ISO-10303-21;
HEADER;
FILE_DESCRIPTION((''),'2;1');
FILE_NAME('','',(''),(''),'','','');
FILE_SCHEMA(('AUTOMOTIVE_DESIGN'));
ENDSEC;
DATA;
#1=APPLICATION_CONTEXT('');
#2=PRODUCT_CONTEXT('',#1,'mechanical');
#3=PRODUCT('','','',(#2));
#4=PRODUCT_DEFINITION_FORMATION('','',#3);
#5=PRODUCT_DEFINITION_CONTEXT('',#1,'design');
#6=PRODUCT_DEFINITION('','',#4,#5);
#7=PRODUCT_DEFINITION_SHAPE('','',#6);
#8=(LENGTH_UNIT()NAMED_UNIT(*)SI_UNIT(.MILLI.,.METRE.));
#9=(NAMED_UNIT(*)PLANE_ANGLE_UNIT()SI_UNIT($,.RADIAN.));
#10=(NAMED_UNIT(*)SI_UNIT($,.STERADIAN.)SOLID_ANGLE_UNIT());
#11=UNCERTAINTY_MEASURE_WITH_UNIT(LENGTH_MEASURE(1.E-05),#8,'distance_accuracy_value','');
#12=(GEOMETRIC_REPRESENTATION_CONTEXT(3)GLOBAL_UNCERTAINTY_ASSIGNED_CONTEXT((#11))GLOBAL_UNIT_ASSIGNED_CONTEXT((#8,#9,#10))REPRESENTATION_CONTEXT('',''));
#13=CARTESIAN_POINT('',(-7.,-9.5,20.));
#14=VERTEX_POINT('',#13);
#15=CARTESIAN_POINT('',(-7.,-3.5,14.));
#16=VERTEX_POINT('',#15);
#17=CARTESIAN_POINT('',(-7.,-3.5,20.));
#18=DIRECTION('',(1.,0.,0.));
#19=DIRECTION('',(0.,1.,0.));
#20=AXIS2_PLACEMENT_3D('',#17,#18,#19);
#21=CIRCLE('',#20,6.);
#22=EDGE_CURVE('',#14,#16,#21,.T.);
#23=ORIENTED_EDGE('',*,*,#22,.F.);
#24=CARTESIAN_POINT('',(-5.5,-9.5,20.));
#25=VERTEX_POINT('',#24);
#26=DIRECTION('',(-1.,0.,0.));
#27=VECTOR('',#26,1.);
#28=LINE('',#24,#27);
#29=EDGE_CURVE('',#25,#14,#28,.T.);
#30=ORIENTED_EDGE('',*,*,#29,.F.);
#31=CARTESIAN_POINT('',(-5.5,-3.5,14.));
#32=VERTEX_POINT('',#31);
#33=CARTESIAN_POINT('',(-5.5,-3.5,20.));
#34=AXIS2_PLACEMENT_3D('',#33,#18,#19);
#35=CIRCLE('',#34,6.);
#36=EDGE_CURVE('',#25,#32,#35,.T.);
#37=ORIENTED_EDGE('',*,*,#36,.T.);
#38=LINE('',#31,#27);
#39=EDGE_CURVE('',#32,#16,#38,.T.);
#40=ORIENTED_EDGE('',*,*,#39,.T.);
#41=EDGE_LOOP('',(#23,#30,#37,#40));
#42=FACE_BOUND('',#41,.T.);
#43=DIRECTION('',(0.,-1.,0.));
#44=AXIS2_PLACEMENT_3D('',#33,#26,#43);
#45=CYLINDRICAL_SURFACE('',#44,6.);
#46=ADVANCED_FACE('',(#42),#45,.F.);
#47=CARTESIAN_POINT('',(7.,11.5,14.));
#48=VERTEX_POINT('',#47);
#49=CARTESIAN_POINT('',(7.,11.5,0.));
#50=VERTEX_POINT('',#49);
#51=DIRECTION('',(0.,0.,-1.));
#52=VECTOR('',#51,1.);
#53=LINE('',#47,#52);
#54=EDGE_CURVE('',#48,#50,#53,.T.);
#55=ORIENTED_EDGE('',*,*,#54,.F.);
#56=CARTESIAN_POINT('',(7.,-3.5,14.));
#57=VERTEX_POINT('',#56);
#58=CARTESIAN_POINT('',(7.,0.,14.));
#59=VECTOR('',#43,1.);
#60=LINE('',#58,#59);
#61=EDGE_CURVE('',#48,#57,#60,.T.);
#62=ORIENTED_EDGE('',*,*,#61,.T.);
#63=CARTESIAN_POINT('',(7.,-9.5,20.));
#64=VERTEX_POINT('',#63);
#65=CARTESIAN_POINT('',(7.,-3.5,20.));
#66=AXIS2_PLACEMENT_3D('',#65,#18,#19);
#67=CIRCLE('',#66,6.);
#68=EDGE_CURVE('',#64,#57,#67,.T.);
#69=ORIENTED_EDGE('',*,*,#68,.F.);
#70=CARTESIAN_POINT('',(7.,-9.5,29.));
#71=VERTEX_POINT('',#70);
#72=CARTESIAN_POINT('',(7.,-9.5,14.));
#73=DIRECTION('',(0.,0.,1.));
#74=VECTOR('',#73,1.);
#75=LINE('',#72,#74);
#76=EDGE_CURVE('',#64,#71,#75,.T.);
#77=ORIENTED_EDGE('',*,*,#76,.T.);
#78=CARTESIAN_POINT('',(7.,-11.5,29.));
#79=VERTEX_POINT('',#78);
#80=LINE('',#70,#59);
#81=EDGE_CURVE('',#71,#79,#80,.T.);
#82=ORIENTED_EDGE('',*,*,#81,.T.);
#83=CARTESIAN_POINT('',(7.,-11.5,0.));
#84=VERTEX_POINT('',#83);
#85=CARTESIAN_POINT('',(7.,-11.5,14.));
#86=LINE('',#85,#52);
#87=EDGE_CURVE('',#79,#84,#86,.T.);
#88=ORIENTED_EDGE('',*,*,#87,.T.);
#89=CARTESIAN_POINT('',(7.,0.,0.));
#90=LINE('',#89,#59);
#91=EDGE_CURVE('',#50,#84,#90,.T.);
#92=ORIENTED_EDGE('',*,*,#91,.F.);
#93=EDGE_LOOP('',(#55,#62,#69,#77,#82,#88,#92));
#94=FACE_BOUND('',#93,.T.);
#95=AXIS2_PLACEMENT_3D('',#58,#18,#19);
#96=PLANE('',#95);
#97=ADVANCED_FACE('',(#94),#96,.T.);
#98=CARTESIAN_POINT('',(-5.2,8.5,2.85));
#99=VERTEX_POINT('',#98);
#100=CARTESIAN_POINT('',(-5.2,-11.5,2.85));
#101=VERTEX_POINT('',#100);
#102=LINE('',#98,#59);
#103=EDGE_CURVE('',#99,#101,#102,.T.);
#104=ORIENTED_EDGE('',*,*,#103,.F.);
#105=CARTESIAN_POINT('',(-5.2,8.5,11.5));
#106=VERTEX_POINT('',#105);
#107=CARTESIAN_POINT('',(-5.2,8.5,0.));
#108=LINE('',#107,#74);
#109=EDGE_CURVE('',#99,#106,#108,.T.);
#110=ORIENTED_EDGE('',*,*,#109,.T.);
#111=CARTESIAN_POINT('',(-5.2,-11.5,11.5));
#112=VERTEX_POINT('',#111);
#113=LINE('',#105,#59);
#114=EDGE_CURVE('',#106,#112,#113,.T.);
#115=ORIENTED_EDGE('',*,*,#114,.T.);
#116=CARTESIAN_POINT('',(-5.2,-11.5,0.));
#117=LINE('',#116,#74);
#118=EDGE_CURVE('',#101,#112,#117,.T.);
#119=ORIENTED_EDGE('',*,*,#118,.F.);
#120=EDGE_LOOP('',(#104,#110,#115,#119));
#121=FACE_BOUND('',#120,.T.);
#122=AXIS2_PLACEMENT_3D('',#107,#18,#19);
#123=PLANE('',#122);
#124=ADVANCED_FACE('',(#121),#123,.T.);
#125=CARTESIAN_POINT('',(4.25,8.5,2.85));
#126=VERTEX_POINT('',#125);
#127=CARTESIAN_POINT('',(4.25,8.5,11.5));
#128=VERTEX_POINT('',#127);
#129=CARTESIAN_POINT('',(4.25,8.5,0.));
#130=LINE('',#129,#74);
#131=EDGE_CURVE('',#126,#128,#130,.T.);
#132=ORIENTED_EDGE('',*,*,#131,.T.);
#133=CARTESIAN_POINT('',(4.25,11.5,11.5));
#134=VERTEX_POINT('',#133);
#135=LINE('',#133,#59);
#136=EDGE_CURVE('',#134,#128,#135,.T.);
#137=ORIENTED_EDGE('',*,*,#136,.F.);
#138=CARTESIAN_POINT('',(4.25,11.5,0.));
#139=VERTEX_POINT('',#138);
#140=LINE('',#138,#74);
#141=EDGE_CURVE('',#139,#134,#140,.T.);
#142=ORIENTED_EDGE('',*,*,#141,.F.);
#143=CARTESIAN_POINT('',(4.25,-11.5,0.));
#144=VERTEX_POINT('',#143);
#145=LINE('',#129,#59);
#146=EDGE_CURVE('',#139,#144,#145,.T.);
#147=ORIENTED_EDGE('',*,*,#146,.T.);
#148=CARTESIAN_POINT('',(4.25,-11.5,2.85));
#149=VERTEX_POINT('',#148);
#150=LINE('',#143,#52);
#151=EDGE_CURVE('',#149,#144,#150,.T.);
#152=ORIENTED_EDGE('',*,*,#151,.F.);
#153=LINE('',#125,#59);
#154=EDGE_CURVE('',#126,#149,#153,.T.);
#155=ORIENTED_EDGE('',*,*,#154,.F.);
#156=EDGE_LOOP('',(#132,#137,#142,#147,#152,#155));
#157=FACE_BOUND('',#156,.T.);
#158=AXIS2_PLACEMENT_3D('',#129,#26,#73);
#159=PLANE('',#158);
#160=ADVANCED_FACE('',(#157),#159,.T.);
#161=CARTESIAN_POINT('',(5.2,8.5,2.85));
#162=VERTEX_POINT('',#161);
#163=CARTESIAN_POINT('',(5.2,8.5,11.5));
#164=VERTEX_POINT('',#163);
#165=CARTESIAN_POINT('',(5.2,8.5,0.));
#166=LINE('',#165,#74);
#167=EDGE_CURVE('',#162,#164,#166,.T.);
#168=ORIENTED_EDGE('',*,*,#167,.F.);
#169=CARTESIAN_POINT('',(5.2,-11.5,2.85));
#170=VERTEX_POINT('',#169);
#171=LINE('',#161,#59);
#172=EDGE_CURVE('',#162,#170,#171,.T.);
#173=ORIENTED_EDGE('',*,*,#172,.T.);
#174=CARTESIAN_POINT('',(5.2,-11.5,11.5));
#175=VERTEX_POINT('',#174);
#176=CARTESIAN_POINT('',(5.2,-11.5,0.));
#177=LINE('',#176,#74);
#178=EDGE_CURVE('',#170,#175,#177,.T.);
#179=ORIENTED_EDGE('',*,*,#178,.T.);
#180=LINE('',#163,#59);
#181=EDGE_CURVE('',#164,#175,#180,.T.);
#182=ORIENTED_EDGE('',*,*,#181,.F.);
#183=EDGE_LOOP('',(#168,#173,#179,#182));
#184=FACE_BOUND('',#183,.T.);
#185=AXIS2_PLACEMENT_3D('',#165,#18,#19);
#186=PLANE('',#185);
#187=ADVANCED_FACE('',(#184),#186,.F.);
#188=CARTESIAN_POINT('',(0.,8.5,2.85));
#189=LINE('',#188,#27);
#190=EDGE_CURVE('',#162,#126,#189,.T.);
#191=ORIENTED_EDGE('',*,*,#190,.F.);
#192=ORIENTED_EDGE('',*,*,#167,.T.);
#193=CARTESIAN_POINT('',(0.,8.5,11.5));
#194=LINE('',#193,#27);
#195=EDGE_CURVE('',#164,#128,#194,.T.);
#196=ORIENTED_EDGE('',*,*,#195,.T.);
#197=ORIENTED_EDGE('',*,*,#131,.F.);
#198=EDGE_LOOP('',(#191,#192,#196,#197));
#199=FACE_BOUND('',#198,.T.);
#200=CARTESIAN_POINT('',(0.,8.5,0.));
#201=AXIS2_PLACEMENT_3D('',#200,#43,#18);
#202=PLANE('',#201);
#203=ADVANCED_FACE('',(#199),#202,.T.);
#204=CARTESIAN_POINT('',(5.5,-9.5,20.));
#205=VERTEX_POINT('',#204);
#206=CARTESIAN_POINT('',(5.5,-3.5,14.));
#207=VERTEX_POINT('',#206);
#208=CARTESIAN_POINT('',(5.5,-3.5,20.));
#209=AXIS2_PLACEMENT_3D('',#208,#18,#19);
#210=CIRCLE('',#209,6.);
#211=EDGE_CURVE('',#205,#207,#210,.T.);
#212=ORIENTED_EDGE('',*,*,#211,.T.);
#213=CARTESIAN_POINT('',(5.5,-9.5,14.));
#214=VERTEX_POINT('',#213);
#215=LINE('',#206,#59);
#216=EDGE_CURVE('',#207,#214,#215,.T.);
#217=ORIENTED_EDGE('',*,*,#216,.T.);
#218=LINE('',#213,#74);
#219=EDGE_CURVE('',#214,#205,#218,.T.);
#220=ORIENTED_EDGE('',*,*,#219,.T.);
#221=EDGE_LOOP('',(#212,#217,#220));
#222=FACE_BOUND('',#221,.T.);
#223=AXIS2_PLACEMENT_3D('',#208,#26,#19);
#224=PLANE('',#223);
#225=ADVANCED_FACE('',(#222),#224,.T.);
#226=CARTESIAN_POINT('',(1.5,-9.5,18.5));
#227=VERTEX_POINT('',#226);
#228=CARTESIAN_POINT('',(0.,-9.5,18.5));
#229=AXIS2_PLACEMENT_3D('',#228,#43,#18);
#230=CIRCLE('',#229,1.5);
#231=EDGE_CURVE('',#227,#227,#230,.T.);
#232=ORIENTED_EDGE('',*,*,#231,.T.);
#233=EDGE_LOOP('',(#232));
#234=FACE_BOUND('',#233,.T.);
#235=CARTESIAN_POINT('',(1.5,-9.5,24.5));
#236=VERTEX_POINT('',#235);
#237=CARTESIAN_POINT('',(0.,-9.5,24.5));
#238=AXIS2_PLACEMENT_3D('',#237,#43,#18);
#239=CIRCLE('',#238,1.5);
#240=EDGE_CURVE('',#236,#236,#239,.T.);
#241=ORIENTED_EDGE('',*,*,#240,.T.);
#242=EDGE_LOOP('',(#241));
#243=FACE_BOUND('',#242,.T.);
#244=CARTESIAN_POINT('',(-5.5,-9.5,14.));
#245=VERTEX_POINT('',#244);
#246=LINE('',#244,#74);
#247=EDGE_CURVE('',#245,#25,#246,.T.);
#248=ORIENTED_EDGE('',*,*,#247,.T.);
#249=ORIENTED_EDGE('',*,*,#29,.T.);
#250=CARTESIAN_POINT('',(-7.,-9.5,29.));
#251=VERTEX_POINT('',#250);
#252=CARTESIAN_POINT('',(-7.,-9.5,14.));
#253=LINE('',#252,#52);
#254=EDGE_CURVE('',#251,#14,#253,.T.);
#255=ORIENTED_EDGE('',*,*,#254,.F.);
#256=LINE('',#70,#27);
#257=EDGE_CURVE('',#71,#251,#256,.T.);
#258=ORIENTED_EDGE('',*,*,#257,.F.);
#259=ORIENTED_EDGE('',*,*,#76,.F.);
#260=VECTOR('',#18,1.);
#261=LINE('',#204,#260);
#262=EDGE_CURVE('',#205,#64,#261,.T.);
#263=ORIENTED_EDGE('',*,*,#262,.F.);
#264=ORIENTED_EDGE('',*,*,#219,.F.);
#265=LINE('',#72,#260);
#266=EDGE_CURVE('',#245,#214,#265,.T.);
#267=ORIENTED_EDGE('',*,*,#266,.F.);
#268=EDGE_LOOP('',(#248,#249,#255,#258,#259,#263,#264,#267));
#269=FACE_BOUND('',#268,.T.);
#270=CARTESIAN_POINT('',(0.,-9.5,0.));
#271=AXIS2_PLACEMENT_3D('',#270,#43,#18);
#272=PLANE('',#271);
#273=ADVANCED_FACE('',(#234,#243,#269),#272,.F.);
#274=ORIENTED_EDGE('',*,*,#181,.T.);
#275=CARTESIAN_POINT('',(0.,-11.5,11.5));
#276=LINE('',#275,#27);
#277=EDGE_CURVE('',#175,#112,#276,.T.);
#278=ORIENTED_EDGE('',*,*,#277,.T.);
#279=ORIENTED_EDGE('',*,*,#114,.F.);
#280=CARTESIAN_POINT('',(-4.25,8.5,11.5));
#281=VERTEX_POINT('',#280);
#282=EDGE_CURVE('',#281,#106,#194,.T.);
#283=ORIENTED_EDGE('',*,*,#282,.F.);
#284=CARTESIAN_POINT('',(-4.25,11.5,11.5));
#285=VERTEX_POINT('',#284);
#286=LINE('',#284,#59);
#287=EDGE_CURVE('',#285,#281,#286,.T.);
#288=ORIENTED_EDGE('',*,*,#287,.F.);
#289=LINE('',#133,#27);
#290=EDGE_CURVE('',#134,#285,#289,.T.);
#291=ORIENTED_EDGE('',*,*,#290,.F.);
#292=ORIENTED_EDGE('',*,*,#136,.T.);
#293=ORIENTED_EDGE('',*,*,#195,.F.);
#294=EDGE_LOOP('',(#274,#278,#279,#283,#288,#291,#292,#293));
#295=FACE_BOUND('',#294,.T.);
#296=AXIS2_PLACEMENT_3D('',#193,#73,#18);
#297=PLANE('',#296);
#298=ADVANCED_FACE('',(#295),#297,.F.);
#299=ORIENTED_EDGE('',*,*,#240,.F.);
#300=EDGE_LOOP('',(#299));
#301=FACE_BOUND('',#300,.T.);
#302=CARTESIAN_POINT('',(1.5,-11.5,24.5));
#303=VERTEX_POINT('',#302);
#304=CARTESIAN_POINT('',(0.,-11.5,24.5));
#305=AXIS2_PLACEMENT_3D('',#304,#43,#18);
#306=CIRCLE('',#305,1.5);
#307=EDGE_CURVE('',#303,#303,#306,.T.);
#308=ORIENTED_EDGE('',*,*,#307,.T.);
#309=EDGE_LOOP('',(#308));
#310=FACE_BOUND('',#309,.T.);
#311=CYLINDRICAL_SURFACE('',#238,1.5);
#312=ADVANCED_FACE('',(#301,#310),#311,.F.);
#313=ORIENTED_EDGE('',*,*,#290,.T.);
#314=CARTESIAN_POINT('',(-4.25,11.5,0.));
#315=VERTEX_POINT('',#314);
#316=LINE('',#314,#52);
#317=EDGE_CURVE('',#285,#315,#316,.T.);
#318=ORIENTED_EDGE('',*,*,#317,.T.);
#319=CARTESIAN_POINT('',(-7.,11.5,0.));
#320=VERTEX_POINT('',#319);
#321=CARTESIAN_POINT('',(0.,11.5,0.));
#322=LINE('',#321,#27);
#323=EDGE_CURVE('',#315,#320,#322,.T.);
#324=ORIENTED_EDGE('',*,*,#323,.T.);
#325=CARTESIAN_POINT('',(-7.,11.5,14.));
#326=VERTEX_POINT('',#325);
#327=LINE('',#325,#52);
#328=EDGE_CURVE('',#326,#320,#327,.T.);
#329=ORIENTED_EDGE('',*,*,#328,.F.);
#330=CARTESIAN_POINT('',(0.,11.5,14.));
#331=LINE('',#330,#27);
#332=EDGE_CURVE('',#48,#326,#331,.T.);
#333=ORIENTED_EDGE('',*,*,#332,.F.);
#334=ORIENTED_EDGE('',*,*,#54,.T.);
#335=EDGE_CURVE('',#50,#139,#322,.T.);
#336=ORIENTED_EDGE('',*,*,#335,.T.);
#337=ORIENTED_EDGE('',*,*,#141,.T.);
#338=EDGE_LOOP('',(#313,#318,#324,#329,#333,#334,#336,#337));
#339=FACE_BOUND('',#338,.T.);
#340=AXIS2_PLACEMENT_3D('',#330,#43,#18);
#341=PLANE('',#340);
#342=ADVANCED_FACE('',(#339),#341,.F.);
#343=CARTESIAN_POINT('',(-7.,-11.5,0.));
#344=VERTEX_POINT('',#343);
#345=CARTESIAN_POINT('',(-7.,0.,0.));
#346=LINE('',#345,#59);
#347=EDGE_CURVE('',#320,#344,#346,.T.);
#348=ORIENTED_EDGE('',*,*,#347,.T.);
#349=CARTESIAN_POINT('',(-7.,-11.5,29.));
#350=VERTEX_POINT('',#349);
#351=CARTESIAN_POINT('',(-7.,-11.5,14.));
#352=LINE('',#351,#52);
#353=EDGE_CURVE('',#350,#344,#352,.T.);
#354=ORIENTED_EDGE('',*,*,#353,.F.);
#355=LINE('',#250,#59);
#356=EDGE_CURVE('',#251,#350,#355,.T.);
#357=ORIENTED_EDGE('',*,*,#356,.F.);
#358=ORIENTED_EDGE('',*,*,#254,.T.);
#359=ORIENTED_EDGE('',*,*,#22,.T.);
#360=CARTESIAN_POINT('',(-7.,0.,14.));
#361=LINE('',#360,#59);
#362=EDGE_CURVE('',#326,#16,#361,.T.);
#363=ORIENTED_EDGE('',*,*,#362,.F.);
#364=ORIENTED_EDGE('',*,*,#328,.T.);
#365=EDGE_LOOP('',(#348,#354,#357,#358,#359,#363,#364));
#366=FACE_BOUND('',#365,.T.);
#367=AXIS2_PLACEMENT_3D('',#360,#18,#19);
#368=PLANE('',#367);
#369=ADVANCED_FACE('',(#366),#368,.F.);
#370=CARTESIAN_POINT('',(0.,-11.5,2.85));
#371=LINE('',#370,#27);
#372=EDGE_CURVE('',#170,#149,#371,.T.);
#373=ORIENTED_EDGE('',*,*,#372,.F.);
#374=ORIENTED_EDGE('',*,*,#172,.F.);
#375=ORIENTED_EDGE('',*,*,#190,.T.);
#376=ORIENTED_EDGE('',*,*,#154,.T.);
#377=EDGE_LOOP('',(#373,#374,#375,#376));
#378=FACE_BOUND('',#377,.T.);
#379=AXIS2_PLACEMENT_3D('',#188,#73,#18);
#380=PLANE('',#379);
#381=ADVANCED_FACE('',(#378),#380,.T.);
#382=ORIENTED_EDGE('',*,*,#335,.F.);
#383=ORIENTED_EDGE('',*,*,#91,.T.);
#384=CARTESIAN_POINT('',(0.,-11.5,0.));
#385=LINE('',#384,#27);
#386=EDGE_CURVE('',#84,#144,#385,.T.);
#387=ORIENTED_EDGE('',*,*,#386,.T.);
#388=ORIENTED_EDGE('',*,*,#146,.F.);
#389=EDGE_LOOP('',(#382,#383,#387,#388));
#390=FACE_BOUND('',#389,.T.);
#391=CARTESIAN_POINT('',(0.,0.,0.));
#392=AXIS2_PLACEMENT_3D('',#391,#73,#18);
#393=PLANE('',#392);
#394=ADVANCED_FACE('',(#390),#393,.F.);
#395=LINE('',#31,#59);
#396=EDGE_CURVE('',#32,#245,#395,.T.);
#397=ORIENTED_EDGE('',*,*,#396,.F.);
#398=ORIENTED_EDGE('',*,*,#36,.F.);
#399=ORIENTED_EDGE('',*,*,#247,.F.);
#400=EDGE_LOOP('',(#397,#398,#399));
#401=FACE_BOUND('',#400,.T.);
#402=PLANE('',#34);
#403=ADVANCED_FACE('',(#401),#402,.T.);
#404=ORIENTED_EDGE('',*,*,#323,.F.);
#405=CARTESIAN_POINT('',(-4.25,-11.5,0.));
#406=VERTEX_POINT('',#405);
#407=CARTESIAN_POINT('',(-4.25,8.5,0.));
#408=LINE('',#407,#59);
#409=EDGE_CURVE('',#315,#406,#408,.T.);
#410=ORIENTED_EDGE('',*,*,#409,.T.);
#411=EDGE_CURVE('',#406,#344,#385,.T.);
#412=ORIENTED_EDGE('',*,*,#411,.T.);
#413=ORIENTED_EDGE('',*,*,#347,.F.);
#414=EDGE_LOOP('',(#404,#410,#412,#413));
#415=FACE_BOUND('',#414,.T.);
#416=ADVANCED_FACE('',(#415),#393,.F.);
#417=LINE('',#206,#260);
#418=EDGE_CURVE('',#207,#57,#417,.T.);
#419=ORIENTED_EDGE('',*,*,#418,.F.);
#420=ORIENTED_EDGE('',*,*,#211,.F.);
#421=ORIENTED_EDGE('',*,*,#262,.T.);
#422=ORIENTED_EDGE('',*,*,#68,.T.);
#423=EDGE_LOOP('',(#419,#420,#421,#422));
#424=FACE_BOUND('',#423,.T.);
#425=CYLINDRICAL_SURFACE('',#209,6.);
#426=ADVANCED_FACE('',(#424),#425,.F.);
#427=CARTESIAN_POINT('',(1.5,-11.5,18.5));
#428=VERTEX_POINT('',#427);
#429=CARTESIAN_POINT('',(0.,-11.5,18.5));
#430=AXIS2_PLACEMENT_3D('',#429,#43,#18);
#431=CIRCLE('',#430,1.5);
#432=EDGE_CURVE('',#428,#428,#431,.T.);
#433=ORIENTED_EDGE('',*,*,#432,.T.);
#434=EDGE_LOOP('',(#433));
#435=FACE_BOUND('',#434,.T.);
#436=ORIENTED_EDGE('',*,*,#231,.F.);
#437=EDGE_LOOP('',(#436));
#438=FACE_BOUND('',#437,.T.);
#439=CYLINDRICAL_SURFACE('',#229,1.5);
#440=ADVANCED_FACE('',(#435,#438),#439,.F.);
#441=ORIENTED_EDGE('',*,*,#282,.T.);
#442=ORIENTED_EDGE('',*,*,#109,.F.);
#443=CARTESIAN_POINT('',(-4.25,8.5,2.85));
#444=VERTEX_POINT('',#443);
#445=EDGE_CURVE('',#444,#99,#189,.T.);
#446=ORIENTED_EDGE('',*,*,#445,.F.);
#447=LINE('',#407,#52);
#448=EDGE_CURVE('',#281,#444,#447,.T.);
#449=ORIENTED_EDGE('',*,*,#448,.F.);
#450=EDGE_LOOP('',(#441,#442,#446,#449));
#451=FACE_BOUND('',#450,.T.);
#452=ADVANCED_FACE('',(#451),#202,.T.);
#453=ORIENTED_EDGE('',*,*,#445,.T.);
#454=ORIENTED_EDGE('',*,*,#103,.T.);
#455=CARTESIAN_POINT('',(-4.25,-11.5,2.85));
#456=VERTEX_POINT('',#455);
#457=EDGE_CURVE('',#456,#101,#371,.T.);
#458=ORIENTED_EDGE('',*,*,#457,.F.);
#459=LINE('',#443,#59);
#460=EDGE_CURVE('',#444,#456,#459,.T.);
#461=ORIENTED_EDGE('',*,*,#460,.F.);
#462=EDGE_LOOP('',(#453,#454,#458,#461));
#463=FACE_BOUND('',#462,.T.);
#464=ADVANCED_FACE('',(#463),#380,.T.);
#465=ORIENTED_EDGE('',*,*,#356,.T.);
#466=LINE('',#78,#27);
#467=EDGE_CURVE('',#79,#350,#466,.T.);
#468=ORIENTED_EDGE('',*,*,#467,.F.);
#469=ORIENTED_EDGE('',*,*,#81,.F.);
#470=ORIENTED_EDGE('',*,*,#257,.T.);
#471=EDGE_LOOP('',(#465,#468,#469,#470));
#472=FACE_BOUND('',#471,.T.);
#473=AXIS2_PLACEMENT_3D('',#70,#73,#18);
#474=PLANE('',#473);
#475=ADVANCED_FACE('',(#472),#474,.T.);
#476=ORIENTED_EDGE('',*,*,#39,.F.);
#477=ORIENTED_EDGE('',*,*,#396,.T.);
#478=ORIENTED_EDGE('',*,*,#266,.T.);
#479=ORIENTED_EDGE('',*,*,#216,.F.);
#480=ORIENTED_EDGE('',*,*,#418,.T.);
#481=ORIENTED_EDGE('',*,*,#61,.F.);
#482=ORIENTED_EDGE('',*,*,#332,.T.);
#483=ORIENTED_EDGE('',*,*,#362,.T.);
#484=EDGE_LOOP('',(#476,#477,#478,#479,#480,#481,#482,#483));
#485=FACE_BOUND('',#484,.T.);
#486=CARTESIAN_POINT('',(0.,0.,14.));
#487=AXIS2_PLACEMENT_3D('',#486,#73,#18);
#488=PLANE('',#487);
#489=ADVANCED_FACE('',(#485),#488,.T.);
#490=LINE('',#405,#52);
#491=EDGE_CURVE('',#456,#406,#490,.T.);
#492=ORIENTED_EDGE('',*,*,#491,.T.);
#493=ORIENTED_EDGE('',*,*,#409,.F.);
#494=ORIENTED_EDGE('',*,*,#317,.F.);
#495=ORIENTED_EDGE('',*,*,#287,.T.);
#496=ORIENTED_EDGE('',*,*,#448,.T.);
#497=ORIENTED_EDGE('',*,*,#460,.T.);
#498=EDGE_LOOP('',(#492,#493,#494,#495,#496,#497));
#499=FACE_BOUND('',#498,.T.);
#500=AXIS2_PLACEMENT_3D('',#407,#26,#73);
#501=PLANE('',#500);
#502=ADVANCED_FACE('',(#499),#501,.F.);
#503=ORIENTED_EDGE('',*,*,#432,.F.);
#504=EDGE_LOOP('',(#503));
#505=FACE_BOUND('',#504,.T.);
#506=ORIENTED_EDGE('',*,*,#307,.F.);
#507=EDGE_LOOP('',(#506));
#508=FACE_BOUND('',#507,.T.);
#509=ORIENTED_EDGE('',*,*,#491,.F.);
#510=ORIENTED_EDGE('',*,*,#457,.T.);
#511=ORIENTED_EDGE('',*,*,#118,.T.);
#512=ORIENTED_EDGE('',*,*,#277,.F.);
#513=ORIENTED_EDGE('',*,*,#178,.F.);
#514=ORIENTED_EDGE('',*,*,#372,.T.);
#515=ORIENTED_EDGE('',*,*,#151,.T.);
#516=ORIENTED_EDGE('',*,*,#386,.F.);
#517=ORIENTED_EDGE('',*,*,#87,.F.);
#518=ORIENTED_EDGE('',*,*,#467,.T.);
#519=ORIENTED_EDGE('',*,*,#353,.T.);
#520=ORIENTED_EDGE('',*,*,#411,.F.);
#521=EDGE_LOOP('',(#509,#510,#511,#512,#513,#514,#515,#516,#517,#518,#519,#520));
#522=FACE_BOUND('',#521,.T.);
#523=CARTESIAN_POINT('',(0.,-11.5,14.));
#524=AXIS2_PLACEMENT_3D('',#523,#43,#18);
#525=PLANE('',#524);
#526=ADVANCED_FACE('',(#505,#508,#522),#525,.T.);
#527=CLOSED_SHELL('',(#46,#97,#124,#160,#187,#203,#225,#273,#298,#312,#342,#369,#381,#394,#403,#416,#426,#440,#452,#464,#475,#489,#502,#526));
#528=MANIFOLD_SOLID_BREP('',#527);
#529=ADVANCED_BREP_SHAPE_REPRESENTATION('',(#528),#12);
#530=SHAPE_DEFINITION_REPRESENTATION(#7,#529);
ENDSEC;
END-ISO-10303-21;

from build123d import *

# Parameters (mm, degrees)
SKETCH1_W           = 14
SKETCH1_H           = 23
BOSS_EXTRUDE1_DEPTH = 14
SKETCH2_W           = 10.4
SKETCH2_H           = 8.65
SKETCH2_W_2         = 8.5
SKETCH2_H_2         = 2.85
CUT_EXTRUDE1_DEPTH  = 20
SKETCH3_W           = 14
SKETCH3_H           = 15
SKETCH3_R           = 1.5
BOSS_EXTRUDE2_DEPTH = 2
BOSS_EXTRUDE3_DEPTH = 1.5
SKETCH5_W           = 8.5
SKETCH5_H           = 11.5
CUT_EXTRUDE2_DEPTH  = 4


with BuildPart() as part:
    # Sketch1 → Boss-Extrude1 (new body)
    with BuildSketch(Plane.XY):
        Rectangle(SKETCH1_W, SKETCH1_H)
    extrude(amount=BOSS_EXTRUDE1_DEPTH)

    # Sketch2 → Cut-Extrude1 (cut)
    with BuildSketch(Plane.XZ.offset(11.5)):
        with Locations((0, 7.175)):
            Rectangle(SKETCH2_W, SKETCH2_H)
        with Locations((0, 1.425)):
            Rectangle(SKETCH2_W_2, SKETCH2_H_2)
    extrude(amount=-CUT_EXTRUDE1_DEPTH, mode=Mode.SUBTRACT)

    # Sketch3 → Boss-Extrude2 (add)
    with BuildSketch(Plane.XZ.offset(11.5)):
        with Locations((0, 21.5)):
            Rectangle(SKETCH3_W, SKETCH3_H)
        with Locations((0, 18.5)):
            Circle(SKETCH3_R, mode=Mode.SUBTRACT)
        with Locations((0, 24.5)):
            Circle(SKETCH3_R, mode=Mode.SUBTRACT)
    extrude(amount=-BOSS_EXTRUDE2_DEPTH)

    # Sketch4 → Boss-Extrude3 (add)
    with BuildSketch(Plane.ZY.offset(7)):
        with BuildLine():
            Line((14, -3.5), (14, -9.5))
            Line((14, -9.5), (20, -9.5))
            ThreePointArc((20, -9.5), (15.757359313, -7.742640687), (14, -3.5))
        make_face()
    boss_extrude3 = extrude(amount=-BOSS_EXTRUDE3_DEPTH)

    # Mirror1: Boss-Extrude3 across plane
    add(boss_extrude3.mirror(Plane(origin=(0, 0, 0), x_dir=(0, 0, 1), z_dir=(1, 0, 0))))

    # Sketch5 → Cut-Extrude2 (cut, through all)
    with BuildSketch(Plane.XZ.offset(-8.5)):
        with Locations((0, 5.75)):
            Rectangle(SKETCH5_W, SKETCH5_H)
    extrude(amount=-CUT_EXTRUDE2_DEPTH, mode=Mode.SUBTRACT)


solid = part.part
